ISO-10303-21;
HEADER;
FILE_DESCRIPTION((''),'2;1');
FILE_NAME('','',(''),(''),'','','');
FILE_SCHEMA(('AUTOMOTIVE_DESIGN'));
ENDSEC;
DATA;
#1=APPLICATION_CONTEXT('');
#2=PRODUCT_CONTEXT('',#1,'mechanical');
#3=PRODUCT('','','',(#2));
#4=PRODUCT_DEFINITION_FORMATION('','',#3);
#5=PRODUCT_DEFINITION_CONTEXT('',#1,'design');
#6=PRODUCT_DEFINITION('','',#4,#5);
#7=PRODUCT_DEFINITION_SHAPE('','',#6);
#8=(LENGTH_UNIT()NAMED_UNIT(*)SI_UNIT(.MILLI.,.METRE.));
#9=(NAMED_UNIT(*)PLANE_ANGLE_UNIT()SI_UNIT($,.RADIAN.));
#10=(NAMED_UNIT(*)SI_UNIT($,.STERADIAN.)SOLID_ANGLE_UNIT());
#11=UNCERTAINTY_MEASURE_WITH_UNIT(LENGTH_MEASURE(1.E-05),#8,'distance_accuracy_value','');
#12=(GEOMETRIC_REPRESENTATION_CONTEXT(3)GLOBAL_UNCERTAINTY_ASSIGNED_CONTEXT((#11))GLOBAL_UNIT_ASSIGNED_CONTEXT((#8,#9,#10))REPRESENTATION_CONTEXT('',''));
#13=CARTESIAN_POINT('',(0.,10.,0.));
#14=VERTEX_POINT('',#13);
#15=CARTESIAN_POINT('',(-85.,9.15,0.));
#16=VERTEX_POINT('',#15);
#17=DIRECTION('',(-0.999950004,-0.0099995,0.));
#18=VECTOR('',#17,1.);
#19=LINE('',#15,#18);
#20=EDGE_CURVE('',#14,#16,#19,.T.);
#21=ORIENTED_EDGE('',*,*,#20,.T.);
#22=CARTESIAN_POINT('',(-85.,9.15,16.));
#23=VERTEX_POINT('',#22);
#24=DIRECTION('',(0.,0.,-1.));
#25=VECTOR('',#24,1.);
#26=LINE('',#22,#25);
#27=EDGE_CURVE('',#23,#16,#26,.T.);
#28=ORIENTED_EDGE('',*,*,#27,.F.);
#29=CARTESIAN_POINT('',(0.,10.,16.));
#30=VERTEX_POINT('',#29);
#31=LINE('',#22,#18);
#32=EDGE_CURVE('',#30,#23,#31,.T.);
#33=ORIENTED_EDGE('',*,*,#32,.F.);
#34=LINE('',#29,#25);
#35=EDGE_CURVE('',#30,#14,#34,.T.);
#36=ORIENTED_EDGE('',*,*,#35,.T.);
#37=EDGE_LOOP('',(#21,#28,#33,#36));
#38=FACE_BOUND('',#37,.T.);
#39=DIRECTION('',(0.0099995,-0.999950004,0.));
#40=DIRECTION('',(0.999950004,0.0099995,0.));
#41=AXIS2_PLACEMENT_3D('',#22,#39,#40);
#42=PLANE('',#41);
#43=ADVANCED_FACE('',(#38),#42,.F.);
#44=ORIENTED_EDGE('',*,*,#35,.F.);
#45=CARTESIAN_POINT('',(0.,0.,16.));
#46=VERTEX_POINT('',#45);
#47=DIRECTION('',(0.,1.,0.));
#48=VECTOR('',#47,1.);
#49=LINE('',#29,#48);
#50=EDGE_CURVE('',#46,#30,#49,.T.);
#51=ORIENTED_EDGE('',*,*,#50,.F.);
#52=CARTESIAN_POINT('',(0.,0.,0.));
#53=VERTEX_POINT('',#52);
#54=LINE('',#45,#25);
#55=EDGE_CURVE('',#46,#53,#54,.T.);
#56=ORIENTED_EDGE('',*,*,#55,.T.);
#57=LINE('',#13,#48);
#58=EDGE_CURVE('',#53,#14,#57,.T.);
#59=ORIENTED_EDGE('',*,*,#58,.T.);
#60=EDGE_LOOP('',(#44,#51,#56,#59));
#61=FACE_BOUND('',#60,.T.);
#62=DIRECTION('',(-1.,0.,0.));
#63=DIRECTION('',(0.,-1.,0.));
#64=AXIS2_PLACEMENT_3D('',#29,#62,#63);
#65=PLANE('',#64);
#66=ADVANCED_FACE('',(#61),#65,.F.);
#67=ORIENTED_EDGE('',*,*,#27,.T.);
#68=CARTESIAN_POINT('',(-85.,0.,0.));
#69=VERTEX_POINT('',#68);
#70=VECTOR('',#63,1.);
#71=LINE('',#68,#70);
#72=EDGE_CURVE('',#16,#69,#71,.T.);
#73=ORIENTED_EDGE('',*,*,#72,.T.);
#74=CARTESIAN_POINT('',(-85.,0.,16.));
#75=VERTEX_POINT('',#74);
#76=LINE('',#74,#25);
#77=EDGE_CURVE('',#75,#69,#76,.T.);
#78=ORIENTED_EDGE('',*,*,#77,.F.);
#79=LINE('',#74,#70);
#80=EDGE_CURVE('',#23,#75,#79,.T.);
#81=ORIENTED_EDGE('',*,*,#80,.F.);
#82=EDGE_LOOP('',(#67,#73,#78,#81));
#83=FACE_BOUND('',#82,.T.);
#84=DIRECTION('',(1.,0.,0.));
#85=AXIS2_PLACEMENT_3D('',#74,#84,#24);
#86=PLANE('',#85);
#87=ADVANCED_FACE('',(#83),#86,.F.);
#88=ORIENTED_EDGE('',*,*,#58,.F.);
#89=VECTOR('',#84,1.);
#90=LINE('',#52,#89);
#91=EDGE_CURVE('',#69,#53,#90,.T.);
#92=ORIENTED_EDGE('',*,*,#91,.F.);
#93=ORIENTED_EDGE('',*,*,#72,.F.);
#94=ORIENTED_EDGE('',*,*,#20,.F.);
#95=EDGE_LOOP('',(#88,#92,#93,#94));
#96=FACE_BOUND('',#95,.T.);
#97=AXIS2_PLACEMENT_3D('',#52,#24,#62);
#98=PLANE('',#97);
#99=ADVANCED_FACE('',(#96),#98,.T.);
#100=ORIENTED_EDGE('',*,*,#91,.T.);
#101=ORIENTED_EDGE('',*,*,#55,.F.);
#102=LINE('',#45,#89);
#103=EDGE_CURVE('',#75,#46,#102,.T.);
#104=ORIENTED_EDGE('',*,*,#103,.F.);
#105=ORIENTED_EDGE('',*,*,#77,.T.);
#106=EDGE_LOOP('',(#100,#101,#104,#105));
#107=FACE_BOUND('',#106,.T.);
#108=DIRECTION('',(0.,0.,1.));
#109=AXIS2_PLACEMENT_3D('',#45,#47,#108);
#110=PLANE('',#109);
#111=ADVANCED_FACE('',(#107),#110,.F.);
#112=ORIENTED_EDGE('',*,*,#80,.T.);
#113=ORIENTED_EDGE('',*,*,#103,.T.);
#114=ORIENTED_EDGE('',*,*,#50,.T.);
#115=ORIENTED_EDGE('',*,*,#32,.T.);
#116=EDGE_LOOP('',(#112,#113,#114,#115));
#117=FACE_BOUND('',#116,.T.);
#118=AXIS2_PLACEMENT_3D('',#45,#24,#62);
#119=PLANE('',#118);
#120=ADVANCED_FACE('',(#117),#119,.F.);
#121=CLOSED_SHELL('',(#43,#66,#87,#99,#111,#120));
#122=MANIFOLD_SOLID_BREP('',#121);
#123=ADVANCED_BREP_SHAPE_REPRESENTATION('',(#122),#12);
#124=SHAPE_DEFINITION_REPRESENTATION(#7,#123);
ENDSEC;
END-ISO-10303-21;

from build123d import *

# Parameters (mm, degrees)
BOSS_EXTRUDE1_DEPTH = 16


with BuildPart() as part:
    # Sketch1 → Boss-Extrude1 (new body)
    with BuildSketch(Plane.XY):
        Polygon((0, 0), (-85, 0), (-85, 9.15), (0, 10), align=None)
    extrude(amount=BOSS_EXTRUDE1_DEPTH)


solid = part.part
